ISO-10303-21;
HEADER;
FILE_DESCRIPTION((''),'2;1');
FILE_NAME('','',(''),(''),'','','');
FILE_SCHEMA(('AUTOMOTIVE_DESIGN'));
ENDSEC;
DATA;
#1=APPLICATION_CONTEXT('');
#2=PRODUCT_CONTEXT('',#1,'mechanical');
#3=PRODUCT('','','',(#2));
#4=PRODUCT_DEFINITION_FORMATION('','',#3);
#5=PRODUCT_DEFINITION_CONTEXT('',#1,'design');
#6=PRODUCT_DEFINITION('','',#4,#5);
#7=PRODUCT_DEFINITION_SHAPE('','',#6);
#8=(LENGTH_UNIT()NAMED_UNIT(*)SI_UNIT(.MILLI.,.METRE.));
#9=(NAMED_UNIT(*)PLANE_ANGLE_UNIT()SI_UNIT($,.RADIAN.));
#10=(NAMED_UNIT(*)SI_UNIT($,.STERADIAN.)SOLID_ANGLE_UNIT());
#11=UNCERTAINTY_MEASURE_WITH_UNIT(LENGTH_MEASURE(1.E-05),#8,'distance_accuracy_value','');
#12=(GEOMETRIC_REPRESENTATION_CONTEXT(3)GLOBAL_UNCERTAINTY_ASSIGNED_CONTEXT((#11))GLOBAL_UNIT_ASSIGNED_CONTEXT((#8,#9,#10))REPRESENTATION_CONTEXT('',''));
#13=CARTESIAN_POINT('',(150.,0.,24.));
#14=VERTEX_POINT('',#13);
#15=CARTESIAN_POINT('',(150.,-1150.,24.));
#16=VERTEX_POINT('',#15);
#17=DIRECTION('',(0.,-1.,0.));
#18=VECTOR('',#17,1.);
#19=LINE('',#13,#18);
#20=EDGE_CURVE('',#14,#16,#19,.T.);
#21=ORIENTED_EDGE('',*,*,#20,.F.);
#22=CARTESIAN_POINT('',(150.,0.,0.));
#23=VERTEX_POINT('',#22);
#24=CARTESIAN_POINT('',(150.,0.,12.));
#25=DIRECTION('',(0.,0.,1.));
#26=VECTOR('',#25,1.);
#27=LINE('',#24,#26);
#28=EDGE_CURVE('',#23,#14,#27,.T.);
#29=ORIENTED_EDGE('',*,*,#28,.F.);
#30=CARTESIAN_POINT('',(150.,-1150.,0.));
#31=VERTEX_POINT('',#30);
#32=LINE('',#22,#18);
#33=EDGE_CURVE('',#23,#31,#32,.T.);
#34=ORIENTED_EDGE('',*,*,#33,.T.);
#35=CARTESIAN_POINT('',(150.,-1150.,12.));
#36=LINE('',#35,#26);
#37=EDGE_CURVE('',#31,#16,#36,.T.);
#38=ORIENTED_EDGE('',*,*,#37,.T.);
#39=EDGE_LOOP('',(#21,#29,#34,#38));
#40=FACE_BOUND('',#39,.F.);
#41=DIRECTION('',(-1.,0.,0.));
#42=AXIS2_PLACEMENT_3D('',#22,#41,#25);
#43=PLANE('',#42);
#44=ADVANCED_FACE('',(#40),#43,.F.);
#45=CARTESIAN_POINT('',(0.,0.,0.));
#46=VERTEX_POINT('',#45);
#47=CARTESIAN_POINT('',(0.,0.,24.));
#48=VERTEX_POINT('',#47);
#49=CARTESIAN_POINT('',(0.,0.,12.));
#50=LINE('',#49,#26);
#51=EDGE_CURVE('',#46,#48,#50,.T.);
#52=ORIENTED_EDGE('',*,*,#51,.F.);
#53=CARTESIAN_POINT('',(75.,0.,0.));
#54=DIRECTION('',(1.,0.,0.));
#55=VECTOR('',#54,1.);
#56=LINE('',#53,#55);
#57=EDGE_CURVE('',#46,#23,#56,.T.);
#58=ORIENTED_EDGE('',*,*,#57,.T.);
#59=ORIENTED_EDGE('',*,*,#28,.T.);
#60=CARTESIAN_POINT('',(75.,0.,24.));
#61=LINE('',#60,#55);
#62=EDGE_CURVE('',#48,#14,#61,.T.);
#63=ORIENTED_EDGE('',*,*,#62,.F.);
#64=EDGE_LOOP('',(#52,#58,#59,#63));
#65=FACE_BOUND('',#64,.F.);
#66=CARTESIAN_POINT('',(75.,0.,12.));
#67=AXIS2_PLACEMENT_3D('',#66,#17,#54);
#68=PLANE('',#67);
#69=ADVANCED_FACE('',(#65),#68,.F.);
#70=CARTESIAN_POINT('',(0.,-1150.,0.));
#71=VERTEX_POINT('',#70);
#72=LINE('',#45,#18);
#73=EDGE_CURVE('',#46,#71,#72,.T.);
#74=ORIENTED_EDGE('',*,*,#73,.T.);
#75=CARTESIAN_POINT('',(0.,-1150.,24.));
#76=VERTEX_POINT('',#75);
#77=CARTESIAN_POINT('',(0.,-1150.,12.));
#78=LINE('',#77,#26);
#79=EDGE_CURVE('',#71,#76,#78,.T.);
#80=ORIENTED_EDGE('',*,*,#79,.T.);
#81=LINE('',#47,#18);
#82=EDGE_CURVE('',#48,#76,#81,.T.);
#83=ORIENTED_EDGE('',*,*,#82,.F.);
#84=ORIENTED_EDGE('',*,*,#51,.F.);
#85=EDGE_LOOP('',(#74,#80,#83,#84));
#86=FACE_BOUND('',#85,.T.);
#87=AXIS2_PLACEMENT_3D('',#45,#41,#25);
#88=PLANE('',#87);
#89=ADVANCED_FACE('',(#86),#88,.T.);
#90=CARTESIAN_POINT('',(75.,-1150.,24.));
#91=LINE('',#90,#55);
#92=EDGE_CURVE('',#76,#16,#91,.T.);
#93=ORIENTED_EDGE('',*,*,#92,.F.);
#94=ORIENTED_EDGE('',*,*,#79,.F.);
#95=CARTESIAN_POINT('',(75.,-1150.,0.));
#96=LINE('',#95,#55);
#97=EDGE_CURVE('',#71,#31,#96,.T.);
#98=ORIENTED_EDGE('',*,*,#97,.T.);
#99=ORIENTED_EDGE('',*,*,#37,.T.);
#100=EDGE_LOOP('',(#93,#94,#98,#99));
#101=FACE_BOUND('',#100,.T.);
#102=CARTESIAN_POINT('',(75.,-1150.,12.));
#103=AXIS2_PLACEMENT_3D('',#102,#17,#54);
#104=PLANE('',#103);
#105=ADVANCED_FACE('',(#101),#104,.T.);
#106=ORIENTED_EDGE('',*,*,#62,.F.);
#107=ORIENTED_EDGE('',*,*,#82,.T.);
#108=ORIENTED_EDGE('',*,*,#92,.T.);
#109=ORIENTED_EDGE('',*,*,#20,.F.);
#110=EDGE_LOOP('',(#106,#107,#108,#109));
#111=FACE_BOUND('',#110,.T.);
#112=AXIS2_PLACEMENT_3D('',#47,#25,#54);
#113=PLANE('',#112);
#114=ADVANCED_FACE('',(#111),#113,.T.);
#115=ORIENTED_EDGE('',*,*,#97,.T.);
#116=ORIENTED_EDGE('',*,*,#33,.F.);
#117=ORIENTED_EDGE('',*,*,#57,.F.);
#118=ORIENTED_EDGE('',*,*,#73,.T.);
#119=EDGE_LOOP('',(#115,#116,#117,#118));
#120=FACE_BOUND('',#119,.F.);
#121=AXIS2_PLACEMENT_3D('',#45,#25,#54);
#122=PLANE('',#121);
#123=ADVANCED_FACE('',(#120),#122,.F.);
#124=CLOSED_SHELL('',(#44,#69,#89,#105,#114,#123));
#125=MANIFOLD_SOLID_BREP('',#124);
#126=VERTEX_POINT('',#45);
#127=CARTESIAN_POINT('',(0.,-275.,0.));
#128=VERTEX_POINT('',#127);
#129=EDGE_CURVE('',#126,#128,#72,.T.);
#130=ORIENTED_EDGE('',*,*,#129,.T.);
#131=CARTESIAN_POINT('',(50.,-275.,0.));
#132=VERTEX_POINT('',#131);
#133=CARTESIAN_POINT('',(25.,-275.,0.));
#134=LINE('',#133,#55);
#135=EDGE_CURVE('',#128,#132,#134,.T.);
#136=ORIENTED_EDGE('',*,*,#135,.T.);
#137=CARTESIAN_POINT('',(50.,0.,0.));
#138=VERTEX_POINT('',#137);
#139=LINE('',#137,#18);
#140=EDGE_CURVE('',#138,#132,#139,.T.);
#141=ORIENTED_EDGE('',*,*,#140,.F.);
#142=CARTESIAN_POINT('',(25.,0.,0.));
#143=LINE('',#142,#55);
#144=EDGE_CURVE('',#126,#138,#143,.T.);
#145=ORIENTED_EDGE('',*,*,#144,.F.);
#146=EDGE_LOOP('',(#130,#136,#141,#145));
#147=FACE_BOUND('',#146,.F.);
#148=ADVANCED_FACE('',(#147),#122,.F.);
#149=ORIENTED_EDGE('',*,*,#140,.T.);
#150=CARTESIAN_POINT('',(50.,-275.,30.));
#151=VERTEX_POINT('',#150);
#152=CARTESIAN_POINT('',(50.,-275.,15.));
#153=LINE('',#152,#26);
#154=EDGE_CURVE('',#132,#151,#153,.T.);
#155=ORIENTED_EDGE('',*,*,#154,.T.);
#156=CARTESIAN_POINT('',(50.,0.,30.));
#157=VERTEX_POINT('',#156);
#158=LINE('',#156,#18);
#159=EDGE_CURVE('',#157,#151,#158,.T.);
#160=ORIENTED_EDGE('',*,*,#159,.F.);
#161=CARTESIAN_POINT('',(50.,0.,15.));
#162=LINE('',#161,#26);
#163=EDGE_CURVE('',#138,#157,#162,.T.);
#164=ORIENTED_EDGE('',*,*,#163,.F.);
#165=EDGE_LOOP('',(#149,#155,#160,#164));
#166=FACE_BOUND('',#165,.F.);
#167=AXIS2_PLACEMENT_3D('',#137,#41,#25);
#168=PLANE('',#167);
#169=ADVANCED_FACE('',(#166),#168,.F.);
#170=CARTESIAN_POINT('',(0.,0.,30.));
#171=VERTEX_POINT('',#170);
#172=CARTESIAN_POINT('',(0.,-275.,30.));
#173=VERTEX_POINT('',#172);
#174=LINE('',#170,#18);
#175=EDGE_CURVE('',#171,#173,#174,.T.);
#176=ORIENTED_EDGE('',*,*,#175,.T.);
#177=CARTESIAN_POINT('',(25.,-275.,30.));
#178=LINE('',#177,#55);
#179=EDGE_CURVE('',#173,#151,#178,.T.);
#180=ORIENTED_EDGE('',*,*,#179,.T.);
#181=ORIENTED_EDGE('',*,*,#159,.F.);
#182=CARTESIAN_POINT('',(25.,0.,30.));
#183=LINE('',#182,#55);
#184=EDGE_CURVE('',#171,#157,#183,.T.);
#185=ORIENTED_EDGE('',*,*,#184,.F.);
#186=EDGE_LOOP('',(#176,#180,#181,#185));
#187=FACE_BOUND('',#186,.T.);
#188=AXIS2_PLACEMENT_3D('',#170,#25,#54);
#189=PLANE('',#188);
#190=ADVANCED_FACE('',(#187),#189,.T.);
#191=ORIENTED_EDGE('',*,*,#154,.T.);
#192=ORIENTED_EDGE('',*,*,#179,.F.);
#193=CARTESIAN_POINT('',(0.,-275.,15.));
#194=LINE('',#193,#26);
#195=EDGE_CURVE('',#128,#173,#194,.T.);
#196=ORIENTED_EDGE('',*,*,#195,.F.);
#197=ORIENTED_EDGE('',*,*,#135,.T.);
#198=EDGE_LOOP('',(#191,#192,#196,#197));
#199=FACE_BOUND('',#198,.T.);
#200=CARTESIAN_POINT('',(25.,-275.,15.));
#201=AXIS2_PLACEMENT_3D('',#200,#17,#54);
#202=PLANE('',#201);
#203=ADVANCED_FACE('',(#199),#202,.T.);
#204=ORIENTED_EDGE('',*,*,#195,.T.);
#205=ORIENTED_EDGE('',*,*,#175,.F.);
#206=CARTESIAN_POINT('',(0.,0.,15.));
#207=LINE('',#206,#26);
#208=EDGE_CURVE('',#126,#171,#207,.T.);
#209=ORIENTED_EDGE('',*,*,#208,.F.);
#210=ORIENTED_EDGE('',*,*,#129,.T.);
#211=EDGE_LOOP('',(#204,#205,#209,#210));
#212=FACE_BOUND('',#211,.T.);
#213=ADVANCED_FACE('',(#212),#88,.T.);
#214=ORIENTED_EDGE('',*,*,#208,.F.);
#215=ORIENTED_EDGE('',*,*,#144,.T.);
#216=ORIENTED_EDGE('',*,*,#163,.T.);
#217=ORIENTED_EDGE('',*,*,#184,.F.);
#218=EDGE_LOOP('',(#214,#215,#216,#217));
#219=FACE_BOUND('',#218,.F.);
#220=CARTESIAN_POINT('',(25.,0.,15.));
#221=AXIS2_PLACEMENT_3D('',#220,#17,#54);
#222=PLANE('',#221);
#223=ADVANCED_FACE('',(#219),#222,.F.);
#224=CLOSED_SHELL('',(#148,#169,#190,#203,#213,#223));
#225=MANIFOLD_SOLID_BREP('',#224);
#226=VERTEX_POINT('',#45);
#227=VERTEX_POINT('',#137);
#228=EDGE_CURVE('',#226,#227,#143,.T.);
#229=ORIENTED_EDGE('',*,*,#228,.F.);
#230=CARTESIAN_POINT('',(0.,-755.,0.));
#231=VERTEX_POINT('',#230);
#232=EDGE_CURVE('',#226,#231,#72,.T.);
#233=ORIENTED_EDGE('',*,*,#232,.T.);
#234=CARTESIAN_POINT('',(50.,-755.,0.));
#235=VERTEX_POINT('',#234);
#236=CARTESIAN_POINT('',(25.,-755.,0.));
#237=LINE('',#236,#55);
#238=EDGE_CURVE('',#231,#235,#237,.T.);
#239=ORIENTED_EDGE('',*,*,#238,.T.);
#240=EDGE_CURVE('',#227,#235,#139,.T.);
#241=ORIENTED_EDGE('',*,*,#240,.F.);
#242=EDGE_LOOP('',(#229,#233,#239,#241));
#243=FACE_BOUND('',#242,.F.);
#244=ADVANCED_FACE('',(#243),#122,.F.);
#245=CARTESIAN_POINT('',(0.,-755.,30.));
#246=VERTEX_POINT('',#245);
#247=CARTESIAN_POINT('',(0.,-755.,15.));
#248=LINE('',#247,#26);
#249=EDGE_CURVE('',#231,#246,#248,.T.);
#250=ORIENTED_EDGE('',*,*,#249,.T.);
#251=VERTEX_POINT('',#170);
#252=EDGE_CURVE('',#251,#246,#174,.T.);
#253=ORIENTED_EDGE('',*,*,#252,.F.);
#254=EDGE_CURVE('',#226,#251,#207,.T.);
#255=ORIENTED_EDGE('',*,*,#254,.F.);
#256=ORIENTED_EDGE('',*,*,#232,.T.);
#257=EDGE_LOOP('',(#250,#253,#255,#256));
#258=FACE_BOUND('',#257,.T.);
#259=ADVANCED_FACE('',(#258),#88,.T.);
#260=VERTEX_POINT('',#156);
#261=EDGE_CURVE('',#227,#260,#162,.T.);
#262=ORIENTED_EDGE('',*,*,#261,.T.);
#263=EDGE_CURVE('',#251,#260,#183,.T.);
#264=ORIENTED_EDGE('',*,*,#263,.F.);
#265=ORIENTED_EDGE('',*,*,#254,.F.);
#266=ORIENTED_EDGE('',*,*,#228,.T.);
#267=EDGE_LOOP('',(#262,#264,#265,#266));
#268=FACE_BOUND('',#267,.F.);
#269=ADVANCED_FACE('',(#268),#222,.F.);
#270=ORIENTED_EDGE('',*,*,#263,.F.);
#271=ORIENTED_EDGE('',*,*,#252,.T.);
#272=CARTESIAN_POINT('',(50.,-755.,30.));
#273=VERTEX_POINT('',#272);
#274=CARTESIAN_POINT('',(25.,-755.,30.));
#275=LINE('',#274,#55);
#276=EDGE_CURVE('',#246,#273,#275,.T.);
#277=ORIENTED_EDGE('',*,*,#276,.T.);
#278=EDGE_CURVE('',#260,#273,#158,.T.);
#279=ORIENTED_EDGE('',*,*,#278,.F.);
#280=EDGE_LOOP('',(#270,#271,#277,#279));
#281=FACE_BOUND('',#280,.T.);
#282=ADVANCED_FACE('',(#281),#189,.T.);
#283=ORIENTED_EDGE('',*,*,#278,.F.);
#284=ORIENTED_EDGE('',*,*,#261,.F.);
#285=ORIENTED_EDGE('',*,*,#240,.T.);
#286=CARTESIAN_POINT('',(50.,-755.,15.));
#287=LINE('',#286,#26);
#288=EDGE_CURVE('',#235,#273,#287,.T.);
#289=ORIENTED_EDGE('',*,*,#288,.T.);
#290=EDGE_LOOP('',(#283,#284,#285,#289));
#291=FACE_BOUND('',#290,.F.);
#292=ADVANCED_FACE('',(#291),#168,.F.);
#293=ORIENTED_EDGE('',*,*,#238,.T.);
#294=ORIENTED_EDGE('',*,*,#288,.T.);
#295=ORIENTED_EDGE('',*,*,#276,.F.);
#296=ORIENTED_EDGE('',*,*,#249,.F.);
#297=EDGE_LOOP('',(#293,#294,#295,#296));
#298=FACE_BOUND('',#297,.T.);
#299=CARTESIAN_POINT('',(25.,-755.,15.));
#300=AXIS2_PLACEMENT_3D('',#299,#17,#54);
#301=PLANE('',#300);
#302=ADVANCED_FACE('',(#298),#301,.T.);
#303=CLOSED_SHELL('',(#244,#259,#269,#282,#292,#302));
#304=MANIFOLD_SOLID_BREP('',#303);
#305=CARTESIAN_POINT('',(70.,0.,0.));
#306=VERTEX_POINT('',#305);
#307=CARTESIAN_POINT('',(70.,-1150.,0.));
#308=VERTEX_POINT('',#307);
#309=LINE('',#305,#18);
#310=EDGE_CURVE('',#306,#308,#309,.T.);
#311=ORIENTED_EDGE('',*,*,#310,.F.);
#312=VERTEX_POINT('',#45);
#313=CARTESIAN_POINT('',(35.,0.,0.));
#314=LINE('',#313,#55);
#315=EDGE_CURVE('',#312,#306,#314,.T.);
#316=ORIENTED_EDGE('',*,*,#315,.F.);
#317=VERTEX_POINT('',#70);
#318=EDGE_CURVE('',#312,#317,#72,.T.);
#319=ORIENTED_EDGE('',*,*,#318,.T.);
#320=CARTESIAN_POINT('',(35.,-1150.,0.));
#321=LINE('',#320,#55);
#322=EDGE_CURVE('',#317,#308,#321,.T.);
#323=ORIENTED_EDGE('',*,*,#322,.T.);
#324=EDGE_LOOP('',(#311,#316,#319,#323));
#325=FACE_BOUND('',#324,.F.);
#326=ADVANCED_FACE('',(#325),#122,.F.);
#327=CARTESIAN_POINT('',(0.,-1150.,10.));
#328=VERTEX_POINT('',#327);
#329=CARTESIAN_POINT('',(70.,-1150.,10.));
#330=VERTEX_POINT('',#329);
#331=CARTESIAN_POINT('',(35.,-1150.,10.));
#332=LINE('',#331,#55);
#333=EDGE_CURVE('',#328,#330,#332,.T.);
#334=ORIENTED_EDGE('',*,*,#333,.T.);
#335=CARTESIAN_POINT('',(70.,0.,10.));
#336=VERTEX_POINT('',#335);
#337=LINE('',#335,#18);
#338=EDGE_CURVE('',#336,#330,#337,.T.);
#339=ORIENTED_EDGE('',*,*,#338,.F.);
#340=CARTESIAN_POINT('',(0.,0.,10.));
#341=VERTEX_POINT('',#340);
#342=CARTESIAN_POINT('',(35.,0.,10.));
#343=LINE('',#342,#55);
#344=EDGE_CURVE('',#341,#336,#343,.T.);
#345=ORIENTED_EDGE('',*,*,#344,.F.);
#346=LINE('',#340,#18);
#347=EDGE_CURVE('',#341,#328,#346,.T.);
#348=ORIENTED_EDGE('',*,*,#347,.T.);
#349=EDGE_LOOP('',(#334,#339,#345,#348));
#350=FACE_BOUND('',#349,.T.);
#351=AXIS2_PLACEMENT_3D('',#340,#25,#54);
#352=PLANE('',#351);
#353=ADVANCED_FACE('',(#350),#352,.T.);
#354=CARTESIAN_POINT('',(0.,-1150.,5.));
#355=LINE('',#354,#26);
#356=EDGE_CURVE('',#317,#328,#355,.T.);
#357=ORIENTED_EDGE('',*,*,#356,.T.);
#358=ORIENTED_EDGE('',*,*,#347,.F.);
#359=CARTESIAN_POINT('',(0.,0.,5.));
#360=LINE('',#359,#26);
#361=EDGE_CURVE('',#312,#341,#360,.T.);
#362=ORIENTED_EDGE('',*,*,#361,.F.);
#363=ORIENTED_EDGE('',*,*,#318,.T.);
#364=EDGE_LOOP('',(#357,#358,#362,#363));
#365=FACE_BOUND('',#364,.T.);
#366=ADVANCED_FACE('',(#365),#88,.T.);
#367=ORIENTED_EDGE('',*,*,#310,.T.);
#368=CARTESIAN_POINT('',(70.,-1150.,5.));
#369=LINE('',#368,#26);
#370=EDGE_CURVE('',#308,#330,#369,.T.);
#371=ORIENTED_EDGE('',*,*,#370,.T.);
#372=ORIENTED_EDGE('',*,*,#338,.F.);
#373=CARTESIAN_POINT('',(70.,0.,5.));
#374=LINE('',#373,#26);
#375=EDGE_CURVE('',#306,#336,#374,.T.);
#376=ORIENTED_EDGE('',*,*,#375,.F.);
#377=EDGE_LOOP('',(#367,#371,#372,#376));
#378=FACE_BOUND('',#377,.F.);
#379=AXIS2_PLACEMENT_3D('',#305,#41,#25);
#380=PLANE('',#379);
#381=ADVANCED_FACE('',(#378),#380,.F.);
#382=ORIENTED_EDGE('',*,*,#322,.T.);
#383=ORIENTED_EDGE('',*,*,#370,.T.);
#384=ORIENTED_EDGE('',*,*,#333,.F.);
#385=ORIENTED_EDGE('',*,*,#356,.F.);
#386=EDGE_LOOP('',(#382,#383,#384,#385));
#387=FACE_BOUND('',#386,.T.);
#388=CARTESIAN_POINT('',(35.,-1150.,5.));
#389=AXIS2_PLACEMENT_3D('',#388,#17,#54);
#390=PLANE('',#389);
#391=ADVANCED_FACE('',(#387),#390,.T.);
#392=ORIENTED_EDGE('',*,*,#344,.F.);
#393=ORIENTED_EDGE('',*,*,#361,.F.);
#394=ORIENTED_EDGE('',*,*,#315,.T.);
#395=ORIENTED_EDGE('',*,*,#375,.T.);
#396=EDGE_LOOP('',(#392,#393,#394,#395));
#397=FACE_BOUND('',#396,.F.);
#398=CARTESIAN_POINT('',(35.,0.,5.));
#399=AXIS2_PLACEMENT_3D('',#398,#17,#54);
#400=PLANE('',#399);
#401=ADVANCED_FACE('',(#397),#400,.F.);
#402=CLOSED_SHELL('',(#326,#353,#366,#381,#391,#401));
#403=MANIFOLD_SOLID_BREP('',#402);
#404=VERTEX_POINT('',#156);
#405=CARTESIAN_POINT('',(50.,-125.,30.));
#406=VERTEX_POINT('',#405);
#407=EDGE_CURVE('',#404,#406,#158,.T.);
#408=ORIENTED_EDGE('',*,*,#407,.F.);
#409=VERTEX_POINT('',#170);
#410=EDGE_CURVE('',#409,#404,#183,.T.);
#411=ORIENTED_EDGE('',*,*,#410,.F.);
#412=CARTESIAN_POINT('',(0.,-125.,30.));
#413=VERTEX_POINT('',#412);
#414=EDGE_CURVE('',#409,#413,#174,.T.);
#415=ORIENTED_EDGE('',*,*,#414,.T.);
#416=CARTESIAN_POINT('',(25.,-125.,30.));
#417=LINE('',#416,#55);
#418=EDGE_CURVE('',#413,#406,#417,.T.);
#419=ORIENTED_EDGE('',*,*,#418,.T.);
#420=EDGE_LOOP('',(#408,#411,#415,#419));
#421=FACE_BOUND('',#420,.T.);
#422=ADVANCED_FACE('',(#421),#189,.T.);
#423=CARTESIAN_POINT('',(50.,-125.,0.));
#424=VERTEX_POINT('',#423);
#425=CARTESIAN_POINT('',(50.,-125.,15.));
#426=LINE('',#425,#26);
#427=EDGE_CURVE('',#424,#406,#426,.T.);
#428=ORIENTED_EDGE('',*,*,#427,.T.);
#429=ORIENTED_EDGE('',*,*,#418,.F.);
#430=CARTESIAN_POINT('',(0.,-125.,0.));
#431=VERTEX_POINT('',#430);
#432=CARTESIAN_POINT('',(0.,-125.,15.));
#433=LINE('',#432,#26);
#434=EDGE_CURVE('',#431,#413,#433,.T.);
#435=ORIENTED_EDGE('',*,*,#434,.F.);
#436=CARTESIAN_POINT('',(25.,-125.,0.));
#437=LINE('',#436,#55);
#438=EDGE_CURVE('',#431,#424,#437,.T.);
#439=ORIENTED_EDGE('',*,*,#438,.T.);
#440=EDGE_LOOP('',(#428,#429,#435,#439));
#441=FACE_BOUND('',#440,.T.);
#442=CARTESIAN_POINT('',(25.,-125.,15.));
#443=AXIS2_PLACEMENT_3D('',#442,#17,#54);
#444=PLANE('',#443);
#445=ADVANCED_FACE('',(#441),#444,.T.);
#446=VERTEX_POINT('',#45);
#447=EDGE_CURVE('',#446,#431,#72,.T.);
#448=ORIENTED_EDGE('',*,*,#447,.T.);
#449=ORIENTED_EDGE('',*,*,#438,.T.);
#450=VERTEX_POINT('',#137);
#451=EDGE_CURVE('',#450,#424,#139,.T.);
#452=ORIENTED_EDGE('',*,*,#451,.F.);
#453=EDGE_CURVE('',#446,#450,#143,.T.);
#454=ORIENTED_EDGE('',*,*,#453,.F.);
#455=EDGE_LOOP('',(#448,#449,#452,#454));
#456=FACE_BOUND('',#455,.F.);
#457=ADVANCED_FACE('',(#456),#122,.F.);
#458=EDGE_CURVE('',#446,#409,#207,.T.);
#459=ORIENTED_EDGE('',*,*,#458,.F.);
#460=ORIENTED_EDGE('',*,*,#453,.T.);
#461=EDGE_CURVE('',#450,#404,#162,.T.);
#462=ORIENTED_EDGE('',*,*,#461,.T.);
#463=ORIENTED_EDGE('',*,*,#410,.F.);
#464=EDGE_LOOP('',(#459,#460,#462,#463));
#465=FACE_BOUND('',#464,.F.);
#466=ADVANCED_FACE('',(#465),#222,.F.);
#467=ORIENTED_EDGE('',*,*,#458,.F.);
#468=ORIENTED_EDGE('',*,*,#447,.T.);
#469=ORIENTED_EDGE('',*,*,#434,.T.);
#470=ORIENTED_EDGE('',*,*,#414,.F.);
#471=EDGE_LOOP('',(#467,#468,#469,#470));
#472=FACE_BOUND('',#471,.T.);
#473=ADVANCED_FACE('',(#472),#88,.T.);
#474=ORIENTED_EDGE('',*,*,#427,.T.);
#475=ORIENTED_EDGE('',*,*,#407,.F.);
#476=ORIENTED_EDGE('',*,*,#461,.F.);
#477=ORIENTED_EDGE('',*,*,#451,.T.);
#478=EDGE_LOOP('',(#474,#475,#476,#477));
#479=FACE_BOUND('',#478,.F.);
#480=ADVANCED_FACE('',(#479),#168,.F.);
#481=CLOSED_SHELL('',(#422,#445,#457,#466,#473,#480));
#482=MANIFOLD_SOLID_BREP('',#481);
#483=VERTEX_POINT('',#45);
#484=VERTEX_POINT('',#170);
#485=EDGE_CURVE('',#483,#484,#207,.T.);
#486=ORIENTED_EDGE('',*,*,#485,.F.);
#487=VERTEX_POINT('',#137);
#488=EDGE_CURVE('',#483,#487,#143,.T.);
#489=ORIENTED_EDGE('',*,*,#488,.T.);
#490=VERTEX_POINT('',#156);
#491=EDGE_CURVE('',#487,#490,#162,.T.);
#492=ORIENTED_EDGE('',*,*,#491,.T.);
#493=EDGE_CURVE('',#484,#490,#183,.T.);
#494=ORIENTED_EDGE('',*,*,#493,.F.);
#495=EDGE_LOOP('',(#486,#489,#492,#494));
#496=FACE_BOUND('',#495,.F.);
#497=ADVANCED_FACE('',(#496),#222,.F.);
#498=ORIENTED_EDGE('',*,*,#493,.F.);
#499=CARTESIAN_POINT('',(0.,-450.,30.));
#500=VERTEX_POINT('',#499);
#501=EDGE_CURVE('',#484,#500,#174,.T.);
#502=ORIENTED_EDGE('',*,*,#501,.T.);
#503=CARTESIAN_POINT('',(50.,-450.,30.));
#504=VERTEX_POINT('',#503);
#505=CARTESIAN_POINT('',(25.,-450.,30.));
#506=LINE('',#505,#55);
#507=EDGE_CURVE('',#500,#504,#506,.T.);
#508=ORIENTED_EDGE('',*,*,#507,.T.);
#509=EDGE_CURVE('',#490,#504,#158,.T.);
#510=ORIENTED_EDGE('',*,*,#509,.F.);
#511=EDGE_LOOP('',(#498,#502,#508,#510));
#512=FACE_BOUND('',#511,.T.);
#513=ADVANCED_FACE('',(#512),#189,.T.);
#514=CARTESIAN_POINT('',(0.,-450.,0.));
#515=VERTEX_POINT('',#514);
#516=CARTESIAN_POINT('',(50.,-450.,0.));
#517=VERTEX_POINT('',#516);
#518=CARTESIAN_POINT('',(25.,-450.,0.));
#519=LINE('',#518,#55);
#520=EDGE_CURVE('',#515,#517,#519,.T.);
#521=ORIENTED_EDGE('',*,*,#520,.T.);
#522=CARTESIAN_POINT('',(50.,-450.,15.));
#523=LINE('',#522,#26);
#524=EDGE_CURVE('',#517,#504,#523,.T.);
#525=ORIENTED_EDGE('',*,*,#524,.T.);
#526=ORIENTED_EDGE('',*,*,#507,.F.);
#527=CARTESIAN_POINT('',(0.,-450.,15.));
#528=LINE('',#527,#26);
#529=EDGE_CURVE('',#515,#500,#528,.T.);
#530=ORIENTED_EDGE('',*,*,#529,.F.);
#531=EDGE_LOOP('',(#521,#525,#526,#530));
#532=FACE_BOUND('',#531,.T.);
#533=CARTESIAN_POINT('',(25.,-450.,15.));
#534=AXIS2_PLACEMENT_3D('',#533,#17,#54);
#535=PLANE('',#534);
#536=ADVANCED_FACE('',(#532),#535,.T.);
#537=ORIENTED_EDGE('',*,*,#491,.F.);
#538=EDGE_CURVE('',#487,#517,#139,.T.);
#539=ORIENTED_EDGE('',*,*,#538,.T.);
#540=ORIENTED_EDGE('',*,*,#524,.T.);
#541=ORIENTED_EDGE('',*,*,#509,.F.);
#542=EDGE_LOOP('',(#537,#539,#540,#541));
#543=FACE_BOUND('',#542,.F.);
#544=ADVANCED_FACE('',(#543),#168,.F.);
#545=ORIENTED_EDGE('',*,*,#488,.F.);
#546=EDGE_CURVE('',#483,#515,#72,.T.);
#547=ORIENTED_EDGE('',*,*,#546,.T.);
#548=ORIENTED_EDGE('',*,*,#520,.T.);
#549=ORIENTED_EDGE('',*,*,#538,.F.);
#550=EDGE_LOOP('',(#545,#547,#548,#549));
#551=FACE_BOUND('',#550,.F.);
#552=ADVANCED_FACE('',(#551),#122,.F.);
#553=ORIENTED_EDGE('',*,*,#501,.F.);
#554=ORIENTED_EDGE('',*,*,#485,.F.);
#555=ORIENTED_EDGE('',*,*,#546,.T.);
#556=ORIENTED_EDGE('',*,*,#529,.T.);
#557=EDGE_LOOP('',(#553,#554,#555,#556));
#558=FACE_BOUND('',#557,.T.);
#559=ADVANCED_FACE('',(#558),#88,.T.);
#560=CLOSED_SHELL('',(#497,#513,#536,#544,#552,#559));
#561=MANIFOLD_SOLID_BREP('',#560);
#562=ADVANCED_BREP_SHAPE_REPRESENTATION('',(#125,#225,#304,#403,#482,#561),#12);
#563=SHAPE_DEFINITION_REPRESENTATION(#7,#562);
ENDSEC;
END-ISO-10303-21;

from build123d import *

# Parameters (mm, degrees)
F0_W     = 150
F0_H     = 24
F1_DEPTH = 1150
F3_W     = 50
F3_H     = 30
F4_DEPTH = 450
F5_DEPTH = 755
F6_DEPTH = 275
F7_DEPTH = 125
F2_W     = 70
F2_H     = 10
F8_DEPTH = 1150


with BuildPart() as f1:
    # F0 (on Front) → F1 (new body)
    with BuildSketch(Plane.XZ):
        with Locations((75, 12)):
            Rectangle(F0_W, F0_H)
    extrude(amount=F1_DEPTH)


with BuildPart() as f4:
    # F3 (on Front) → F4 (new body)
    with BuildSketch(Plane.XZ):
        with Locations((25, 15)):
            Rectangle(F3_W, F3_H)
    extrude(amount=F4_DEPTH)


with BuildPart() as f5:
    # F3 (on Front) → F5 (new body)
    with BuildSketch(Plane.XZ):
        with Locations((25, 15)):
            Rectangle(F3_W, F3_H)
    extrude(amount=F5_DEPTH)


with BuildPart() as f6:
    # F3 (on Front) → F6 (new body)
    with BuildSketch(Plane.XZ):
        with Locations((25, 15)):
            Rectangle(F3_W, F3_H)
    extrude(amount=F6_DEPTH)


with BuildPart() as f7:
    # F3 (on Front) → F7 (new body)
    with BuildSketch(Plane.XZ):
        with Locations((25, 15)):
            Rectangle(F3_W, F3_H)
    extrude(amount=F7_DEPTH)


with BuildPart() as f8:
    # F2 (on Front) → F8 (new body)
    with BuildSketch(Plane.XZ):
        with Locations((35, 5)):
            Rectangle(F2_W, F2_H)
    extrude(amount=F8_DEPTH)


solid = Compound([f1.part, f4.part, f5.part, f6.part, f7.part, f8.part])
